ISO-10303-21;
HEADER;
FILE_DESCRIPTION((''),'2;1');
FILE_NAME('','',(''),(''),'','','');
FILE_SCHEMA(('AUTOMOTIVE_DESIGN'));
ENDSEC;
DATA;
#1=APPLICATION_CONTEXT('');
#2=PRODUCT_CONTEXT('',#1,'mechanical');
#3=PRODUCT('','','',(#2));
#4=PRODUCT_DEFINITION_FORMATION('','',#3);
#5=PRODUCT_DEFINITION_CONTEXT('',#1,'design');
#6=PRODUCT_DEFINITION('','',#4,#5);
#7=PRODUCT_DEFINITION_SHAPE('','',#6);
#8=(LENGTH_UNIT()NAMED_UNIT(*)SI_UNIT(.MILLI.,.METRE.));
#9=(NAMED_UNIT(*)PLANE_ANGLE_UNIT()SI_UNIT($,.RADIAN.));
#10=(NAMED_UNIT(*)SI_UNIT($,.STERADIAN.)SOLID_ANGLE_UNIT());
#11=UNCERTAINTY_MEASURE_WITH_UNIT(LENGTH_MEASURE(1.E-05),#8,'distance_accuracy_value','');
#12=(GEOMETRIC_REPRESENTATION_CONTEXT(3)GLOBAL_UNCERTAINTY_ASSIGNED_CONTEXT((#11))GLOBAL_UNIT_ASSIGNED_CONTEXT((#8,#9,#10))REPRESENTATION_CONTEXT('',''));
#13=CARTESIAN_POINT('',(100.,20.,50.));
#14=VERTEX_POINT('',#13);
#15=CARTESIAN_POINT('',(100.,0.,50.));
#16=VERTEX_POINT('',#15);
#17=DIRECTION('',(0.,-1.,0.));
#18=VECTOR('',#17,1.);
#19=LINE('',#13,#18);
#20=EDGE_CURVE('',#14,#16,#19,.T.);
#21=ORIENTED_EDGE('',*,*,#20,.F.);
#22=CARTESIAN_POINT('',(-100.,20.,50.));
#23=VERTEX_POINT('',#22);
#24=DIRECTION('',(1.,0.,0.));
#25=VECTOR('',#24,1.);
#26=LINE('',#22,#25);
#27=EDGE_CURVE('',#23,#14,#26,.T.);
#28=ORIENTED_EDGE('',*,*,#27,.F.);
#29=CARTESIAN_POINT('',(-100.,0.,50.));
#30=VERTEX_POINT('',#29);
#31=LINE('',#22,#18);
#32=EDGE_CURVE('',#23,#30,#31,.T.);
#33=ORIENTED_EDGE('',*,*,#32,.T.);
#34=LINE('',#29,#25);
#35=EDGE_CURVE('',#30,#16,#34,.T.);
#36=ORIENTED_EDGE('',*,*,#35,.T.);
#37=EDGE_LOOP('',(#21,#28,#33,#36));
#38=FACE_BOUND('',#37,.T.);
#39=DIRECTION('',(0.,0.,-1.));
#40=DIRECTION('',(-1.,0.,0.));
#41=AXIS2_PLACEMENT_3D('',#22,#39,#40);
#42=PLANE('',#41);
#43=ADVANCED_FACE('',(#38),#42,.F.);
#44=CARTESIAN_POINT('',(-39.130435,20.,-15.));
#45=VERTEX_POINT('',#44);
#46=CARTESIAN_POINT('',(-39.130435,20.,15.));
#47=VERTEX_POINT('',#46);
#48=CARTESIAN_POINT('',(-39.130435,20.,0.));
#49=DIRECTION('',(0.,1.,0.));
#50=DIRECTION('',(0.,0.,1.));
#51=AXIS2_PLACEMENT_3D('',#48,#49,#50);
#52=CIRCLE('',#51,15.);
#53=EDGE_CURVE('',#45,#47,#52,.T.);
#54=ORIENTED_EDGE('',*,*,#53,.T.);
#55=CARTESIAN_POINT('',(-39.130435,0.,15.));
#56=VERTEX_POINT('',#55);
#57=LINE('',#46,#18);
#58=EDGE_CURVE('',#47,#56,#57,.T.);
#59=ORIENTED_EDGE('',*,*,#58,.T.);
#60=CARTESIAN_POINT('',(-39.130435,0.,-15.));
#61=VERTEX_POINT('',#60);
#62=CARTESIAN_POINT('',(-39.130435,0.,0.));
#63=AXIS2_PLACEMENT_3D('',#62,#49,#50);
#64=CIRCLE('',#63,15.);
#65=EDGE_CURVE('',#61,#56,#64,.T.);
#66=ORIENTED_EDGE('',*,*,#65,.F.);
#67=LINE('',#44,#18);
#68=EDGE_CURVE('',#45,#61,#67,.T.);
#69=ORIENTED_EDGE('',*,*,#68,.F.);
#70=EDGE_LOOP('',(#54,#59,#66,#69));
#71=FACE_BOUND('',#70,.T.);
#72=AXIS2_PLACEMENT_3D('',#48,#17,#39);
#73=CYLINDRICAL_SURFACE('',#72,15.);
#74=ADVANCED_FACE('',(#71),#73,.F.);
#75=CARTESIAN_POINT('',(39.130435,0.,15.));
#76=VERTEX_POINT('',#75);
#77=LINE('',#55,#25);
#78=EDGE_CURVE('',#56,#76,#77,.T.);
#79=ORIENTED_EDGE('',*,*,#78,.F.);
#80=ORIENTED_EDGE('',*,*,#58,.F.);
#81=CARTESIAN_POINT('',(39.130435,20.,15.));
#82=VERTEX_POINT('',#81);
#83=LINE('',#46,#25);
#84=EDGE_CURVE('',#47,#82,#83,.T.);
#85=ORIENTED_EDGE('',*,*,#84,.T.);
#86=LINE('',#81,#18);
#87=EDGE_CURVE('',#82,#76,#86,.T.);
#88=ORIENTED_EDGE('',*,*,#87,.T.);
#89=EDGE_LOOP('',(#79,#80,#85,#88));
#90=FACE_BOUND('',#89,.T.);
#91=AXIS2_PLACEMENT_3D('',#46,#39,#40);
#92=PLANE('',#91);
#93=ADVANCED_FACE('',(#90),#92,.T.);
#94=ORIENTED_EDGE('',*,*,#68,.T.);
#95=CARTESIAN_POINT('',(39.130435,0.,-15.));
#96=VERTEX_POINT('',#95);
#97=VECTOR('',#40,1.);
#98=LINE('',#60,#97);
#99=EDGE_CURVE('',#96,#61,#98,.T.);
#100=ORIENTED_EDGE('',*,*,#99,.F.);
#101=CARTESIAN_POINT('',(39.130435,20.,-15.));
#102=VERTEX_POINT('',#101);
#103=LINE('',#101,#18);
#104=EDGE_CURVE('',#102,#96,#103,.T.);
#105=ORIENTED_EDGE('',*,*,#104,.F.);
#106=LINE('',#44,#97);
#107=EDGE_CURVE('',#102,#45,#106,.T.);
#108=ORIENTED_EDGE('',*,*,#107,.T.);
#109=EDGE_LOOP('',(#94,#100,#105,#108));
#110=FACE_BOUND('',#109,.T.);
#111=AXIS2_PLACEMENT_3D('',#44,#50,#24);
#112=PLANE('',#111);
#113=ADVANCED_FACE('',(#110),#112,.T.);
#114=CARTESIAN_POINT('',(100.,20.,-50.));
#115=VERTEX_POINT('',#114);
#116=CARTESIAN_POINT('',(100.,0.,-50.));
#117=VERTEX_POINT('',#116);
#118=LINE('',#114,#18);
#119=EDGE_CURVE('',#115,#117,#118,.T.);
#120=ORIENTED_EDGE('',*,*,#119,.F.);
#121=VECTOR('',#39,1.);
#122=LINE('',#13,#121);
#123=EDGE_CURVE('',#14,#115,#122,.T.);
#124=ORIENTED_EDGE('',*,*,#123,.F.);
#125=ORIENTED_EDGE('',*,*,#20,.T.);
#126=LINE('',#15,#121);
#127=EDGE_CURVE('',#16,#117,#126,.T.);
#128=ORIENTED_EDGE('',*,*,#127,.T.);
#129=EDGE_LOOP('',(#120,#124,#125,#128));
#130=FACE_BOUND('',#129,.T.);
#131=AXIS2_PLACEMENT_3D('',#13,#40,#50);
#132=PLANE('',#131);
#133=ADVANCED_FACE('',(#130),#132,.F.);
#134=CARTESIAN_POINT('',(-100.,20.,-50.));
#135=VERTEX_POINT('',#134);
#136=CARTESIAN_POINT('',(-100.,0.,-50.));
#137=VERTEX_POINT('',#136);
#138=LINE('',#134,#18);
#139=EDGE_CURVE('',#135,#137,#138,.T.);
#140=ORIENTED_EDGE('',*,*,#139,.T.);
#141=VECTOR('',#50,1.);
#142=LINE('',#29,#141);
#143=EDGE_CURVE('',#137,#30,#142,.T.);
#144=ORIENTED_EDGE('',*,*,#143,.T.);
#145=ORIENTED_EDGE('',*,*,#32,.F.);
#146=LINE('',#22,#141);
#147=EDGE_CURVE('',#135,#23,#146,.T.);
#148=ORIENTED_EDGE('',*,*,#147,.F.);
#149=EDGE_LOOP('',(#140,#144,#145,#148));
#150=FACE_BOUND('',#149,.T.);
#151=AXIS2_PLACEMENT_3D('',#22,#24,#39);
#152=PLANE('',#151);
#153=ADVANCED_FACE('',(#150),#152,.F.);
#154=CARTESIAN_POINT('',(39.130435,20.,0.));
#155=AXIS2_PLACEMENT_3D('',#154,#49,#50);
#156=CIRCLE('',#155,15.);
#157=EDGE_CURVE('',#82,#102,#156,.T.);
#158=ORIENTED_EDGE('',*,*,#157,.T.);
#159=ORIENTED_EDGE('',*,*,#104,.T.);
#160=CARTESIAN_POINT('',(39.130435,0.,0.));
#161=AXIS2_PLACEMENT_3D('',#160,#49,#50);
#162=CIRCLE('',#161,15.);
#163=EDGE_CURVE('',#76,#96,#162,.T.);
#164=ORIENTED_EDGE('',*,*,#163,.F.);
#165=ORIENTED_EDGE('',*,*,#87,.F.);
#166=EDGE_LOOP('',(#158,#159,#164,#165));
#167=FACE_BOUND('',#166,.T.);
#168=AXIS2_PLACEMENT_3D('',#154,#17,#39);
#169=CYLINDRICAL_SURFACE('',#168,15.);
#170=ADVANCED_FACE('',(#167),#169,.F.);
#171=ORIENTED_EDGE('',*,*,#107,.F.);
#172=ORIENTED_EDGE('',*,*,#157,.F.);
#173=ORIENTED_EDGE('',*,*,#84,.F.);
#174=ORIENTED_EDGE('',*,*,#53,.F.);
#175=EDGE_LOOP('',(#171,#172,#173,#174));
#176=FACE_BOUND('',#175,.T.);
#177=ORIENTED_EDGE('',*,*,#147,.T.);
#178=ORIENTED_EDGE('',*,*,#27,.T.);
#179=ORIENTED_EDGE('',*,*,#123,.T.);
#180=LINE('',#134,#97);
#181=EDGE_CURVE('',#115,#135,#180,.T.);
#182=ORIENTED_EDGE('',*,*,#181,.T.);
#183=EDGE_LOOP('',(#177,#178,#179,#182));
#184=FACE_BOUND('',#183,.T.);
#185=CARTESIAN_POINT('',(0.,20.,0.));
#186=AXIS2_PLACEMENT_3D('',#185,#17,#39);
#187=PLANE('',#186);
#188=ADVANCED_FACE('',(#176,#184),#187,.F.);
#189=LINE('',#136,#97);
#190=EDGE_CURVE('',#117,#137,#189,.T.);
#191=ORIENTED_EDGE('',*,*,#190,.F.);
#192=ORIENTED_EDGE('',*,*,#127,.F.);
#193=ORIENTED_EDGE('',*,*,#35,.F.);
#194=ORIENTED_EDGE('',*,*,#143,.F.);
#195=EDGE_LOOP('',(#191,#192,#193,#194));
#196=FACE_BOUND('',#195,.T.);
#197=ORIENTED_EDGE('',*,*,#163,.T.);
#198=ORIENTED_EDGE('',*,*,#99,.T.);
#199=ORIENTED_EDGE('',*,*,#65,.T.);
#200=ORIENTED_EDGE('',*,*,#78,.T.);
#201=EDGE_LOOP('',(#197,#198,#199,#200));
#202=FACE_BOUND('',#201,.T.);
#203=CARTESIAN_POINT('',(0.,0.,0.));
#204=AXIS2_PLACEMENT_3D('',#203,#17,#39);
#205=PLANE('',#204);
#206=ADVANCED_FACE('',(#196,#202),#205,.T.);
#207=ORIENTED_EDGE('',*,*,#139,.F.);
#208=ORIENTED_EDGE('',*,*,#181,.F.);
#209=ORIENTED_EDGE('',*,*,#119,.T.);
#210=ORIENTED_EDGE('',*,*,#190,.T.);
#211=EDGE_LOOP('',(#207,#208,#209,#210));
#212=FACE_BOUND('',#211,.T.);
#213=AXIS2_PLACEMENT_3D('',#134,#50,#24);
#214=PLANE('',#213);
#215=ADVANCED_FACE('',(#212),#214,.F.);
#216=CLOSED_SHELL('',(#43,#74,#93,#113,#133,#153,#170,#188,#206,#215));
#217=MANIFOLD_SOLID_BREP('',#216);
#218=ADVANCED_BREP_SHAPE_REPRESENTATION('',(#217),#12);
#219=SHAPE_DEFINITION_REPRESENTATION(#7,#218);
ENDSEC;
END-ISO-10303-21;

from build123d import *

# Parameters (mm, degrees)
SKETCH2_W           = 200
SKETCH2_H           = 100
BOSS_EXTRUDE2_DEPTH = 20


with BuildPart() as part:
    # Sketch2 → Boss-Extrude2 (new body)
    with BuildSketch(Plane(origin=(0, 0, 0), x_dir=(1, 0, 0), z_dir=(0, 1, 0))):
        Rectangle(SKETCH2_W, SKETCH2_H)
        with BuildLine():
            Line((-39.130434783, 15), (39.130434783, 15))
            ThreePointArc((39.130434783, 15), (54.130434783, 0), (39.130434783, -15))
            Line((39.130434783, -15), (-39.130434783, -15))
            ThreePointArc((-39.130434783, -15), (-54.130434783, 0), (-39.130434783, 15))
        make_face(mode=Mode.SUBTRACT)
    extrude(amount=BOSS_EXTRUDE2_DEPTH)


solid = part.part
